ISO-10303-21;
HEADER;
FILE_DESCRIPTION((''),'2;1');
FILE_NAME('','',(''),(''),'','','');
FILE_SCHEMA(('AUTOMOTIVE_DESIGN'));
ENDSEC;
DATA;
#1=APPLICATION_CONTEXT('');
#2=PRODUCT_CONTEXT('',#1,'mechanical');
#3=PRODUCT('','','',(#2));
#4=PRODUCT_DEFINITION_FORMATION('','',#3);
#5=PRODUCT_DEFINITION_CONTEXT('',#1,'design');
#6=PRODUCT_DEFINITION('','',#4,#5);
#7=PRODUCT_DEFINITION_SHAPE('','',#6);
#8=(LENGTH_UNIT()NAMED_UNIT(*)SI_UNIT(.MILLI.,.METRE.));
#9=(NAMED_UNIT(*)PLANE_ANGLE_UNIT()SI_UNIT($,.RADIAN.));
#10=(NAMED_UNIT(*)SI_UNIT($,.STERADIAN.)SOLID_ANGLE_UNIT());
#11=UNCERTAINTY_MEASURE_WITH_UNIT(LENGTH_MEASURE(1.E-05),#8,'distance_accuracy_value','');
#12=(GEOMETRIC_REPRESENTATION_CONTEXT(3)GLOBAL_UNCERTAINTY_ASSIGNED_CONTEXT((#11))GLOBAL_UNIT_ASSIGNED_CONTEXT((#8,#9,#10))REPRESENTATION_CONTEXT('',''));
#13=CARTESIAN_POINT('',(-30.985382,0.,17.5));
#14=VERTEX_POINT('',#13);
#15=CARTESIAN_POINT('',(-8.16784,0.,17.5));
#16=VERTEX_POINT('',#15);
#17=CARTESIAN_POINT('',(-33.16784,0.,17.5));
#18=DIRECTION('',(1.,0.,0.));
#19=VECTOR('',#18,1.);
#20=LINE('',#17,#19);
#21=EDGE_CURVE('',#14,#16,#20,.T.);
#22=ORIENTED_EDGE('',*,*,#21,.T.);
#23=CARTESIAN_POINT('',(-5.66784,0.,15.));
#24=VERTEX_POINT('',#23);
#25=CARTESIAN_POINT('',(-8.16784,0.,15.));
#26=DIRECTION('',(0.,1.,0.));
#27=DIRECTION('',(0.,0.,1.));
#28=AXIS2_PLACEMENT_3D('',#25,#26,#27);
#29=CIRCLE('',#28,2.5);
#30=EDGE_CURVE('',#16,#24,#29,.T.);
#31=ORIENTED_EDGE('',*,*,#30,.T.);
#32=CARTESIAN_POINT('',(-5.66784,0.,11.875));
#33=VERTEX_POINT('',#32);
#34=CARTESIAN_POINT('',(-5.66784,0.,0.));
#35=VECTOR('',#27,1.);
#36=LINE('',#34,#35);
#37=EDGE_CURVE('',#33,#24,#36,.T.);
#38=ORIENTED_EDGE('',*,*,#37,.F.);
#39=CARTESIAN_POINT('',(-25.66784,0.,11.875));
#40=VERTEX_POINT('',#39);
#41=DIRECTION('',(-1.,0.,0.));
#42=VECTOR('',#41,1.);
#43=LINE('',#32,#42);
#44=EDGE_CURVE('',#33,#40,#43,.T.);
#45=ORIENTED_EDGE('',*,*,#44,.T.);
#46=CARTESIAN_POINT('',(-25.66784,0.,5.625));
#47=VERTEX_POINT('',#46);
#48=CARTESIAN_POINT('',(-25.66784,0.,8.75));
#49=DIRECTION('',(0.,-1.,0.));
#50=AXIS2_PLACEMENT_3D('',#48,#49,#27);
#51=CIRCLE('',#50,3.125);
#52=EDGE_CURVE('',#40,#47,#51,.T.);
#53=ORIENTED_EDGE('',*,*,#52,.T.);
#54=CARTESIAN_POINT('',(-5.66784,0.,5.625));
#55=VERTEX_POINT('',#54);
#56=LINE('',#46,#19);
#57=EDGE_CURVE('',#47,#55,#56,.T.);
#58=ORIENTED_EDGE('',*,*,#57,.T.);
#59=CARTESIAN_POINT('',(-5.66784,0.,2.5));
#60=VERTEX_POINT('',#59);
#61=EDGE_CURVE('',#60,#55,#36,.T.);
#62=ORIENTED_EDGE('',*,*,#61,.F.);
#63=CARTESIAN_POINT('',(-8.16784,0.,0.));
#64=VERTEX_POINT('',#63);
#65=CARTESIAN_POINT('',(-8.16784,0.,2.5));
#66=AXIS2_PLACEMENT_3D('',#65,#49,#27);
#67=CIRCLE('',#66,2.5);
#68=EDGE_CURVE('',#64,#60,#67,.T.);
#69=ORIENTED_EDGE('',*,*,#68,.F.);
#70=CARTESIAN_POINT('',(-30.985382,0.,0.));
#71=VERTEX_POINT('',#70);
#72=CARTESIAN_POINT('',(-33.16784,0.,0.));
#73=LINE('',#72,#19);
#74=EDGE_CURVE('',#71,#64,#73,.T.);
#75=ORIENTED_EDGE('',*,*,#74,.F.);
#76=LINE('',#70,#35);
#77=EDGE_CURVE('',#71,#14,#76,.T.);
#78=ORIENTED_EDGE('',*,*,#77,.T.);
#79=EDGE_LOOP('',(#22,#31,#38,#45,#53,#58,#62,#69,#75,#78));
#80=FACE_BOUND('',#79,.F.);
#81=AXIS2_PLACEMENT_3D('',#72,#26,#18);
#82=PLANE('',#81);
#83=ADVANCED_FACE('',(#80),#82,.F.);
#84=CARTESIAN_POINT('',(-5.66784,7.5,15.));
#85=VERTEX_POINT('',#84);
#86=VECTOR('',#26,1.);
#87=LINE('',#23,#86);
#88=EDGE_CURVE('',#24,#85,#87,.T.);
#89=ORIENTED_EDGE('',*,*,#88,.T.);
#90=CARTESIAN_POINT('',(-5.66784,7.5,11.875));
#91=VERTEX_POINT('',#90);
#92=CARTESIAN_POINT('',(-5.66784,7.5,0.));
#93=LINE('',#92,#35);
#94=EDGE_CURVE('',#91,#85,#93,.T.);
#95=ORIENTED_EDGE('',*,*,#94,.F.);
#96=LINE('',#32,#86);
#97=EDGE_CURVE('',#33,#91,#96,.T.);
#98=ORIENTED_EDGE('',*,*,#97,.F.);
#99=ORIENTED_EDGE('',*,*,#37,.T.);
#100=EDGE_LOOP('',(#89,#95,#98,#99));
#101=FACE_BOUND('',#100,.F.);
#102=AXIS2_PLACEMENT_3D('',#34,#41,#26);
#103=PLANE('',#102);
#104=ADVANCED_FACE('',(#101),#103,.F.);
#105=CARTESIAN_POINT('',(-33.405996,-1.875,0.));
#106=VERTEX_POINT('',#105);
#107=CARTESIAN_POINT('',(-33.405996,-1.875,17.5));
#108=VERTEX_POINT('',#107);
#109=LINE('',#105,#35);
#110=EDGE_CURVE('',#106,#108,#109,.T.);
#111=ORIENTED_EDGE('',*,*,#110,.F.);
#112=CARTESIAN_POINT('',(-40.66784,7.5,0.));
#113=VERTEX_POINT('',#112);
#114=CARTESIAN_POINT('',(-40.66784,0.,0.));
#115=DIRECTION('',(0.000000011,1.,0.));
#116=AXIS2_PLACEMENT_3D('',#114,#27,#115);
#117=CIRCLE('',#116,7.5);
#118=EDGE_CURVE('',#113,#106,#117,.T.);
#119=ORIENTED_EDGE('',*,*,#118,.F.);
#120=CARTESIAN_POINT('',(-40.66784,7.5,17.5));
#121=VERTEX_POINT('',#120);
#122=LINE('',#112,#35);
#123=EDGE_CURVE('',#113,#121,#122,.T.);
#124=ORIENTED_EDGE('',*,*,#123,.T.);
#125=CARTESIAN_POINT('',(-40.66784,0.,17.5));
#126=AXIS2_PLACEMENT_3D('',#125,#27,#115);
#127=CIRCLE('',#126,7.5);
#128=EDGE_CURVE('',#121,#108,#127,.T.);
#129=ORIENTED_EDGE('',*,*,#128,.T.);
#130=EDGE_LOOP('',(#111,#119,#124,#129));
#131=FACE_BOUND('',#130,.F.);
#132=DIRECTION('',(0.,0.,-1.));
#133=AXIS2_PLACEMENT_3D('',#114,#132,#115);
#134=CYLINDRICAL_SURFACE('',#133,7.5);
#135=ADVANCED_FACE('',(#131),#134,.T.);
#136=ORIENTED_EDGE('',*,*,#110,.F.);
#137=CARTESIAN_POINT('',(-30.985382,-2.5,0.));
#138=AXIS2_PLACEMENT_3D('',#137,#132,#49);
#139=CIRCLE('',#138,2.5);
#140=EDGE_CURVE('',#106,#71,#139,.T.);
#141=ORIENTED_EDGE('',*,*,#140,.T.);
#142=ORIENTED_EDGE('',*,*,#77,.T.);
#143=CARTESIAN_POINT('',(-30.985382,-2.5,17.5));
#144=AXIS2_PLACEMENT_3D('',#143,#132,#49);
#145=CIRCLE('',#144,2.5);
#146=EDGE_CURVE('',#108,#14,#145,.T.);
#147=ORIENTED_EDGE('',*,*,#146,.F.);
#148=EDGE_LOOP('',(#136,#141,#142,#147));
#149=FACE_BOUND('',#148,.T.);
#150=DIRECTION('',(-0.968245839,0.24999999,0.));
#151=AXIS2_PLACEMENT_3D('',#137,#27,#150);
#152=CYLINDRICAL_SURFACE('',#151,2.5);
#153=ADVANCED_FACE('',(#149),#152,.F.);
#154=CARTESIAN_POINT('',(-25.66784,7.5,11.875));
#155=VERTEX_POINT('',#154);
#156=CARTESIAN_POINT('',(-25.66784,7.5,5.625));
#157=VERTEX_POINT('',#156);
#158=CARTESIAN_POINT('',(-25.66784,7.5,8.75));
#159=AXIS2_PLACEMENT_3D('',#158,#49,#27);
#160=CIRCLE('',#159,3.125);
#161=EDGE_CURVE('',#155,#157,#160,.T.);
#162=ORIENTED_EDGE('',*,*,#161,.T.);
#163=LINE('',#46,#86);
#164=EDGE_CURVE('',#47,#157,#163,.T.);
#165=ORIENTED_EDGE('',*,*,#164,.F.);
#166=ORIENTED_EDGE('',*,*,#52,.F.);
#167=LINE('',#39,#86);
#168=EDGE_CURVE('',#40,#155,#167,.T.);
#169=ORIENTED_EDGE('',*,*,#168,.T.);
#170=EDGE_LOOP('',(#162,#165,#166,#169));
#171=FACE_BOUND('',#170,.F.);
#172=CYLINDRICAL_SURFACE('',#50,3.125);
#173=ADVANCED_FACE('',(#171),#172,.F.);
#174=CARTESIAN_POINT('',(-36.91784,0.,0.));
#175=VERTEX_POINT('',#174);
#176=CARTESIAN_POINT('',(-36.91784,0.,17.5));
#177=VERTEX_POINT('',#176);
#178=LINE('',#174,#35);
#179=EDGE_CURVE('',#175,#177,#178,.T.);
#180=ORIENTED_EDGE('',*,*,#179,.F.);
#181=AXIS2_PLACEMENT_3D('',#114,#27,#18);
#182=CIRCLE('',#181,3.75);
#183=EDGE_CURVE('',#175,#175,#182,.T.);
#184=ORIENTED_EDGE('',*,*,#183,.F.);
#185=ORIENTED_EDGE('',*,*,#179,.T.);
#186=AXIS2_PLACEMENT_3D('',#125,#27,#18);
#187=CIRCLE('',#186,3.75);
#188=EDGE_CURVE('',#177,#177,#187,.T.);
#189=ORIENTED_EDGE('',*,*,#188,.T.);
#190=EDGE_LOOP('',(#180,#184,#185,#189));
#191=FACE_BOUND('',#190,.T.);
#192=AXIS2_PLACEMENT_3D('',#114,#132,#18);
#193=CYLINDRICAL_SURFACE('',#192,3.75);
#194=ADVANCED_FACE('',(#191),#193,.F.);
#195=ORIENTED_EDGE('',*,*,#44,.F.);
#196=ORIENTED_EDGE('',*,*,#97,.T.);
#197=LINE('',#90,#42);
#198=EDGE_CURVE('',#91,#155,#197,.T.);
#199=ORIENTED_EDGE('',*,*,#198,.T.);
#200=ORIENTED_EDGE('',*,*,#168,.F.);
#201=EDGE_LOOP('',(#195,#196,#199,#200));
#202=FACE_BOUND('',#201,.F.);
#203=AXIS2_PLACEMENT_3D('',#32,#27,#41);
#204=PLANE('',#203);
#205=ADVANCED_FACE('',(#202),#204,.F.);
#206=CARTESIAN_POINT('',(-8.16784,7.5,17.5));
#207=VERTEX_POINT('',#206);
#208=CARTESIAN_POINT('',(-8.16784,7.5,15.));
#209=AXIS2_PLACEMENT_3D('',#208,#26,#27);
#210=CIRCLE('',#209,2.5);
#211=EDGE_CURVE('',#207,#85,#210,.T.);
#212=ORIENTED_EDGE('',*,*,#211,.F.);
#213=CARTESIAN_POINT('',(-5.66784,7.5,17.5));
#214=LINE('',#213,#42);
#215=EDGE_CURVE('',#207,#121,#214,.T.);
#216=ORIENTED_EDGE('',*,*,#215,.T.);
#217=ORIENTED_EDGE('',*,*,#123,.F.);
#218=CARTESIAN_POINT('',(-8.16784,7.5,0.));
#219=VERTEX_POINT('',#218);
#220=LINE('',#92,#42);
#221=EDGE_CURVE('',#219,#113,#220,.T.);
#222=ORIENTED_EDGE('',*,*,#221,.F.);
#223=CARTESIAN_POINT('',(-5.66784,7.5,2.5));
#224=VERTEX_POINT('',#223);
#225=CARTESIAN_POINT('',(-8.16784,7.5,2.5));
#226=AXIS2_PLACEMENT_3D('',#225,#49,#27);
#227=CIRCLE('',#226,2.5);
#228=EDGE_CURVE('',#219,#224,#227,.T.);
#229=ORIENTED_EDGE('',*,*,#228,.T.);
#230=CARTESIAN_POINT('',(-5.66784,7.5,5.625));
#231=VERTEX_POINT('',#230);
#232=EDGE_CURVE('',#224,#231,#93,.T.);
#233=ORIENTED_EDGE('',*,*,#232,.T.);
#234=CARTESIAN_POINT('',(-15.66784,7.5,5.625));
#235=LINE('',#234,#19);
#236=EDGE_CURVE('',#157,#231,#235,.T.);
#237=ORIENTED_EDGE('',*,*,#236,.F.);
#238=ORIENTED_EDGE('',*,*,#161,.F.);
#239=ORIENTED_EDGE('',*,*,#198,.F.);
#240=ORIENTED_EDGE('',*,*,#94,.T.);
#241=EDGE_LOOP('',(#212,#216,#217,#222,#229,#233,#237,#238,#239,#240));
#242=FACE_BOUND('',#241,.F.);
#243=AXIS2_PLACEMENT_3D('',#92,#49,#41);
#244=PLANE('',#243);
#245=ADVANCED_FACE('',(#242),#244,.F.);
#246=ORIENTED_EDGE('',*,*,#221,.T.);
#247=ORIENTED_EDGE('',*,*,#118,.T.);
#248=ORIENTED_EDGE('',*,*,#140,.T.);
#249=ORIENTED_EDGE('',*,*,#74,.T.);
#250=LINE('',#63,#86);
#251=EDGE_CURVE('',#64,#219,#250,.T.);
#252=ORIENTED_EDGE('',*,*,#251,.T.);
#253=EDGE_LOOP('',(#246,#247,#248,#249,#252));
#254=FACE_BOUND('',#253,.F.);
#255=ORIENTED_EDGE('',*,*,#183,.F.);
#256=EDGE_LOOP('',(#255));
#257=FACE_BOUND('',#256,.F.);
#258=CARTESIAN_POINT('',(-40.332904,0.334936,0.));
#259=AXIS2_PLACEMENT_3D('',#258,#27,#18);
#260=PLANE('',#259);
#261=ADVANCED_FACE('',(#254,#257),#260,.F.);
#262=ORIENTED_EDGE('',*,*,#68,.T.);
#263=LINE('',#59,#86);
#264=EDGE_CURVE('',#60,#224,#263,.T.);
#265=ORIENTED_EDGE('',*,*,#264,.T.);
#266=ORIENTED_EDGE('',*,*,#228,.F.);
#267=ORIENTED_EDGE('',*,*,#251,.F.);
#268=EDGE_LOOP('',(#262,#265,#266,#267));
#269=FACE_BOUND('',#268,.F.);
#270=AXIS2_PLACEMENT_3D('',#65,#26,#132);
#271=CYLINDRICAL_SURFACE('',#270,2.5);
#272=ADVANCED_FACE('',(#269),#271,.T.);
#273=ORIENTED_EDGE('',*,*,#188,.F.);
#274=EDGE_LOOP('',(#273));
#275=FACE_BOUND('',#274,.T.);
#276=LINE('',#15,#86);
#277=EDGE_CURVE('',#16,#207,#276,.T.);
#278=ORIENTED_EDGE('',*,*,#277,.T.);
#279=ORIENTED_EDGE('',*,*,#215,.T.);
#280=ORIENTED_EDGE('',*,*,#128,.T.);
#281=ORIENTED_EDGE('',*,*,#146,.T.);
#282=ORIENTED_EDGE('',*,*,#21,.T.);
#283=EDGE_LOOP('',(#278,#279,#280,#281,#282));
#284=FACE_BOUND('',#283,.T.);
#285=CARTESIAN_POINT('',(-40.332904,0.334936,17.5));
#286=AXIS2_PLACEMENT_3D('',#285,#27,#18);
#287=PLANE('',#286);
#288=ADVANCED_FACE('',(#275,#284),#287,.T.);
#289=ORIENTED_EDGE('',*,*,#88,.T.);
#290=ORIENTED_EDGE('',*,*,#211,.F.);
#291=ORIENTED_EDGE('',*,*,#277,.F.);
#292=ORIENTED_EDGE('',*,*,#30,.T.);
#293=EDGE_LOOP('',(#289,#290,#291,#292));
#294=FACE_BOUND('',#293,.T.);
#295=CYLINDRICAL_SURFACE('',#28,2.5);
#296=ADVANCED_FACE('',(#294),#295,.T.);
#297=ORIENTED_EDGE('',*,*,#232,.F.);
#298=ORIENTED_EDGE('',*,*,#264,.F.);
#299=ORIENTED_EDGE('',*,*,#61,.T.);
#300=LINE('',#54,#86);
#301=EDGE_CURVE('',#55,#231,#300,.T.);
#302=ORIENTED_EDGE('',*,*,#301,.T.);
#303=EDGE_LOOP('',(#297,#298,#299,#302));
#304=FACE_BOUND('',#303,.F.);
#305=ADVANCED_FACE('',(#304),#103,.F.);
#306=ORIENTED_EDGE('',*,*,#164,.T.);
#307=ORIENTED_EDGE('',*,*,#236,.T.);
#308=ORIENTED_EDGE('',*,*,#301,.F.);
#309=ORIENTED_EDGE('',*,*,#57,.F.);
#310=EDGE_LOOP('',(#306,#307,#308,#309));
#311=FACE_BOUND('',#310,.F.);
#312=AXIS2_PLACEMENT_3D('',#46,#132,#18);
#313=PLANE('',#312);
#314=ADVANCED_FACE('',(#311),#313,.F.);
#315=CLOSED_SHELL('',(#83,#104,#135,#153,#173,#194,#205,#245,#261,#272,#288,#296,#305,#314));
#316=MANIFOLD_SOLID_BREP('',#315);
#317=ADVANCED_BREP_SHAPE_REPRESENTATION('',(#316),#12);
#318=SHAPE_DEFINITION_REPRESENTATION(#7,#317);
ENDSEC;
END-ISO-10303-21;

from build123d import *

# Parameters (mm, degrees)
F0_R     = 3.75
F1_DEPTH = 17.5
F3_DEPTH = 25
F4_R     = 2.5


with BuildPart() as f1:
    # F0 (on Top) → F1 (new body)
    with BuildSketch(Plane.XY):
        with BuildLine():
            ThreePointArc((-40.66784, 7.5), (-45.971141, -5.303301), (-33.16784, 0))
            ThreePointArc((-33.16784, 0), (-35.364539, 5.303301), (-40.66784, 7.5))
        make_face()
        with Locations((-40.66784, 0)):
            Circle(F0_R, mode=Mode.SUBTRACT)
        with BuildLine():
            ThreePointArc((-40.66784, 7.5), (-35.364539, 5.303301), (-33.16784, 0))
            Line((-33.16784, 0), (-5.66784, 0))
            Line((-5.66784, 0), (-5.66784, 7.5))
            Line((-5.66784, 7.5), (-40.66784, 7.5))
        make_face()
    extrude(amount=F1_DEPTH)

    # F2 (on face) → F3 (cut)
    with BuildSketch(Plane.XZ):
        with BuildLine():
            Line((-5.66784, 5.625), (-5.66784, 11.875))
            Line((-5.66784, 11.875), (-25.66784, 11.875))
            ThreePointArc((-25.66784, 11.875), (-28.79284, 8.75), (-25.66784, 5.625))
            Line((-25.66784, 5.625), (-5.66784, 5.625))
        make_face()
    extrude(amount=-F3_DEPTH, mode=Mode.SUBTRACT)

    # F4
    f4_edges = [f1.edges().sort_by_distance(p)[0] for p in [
        (-5.66784, 3.75, 17.5),
        (-5.66784, 3.75, 0),
        (-33.16784, 0, 8.75),
    ]]
    fillet(f4_edges, radius=F4_R)


solid = f1.part
